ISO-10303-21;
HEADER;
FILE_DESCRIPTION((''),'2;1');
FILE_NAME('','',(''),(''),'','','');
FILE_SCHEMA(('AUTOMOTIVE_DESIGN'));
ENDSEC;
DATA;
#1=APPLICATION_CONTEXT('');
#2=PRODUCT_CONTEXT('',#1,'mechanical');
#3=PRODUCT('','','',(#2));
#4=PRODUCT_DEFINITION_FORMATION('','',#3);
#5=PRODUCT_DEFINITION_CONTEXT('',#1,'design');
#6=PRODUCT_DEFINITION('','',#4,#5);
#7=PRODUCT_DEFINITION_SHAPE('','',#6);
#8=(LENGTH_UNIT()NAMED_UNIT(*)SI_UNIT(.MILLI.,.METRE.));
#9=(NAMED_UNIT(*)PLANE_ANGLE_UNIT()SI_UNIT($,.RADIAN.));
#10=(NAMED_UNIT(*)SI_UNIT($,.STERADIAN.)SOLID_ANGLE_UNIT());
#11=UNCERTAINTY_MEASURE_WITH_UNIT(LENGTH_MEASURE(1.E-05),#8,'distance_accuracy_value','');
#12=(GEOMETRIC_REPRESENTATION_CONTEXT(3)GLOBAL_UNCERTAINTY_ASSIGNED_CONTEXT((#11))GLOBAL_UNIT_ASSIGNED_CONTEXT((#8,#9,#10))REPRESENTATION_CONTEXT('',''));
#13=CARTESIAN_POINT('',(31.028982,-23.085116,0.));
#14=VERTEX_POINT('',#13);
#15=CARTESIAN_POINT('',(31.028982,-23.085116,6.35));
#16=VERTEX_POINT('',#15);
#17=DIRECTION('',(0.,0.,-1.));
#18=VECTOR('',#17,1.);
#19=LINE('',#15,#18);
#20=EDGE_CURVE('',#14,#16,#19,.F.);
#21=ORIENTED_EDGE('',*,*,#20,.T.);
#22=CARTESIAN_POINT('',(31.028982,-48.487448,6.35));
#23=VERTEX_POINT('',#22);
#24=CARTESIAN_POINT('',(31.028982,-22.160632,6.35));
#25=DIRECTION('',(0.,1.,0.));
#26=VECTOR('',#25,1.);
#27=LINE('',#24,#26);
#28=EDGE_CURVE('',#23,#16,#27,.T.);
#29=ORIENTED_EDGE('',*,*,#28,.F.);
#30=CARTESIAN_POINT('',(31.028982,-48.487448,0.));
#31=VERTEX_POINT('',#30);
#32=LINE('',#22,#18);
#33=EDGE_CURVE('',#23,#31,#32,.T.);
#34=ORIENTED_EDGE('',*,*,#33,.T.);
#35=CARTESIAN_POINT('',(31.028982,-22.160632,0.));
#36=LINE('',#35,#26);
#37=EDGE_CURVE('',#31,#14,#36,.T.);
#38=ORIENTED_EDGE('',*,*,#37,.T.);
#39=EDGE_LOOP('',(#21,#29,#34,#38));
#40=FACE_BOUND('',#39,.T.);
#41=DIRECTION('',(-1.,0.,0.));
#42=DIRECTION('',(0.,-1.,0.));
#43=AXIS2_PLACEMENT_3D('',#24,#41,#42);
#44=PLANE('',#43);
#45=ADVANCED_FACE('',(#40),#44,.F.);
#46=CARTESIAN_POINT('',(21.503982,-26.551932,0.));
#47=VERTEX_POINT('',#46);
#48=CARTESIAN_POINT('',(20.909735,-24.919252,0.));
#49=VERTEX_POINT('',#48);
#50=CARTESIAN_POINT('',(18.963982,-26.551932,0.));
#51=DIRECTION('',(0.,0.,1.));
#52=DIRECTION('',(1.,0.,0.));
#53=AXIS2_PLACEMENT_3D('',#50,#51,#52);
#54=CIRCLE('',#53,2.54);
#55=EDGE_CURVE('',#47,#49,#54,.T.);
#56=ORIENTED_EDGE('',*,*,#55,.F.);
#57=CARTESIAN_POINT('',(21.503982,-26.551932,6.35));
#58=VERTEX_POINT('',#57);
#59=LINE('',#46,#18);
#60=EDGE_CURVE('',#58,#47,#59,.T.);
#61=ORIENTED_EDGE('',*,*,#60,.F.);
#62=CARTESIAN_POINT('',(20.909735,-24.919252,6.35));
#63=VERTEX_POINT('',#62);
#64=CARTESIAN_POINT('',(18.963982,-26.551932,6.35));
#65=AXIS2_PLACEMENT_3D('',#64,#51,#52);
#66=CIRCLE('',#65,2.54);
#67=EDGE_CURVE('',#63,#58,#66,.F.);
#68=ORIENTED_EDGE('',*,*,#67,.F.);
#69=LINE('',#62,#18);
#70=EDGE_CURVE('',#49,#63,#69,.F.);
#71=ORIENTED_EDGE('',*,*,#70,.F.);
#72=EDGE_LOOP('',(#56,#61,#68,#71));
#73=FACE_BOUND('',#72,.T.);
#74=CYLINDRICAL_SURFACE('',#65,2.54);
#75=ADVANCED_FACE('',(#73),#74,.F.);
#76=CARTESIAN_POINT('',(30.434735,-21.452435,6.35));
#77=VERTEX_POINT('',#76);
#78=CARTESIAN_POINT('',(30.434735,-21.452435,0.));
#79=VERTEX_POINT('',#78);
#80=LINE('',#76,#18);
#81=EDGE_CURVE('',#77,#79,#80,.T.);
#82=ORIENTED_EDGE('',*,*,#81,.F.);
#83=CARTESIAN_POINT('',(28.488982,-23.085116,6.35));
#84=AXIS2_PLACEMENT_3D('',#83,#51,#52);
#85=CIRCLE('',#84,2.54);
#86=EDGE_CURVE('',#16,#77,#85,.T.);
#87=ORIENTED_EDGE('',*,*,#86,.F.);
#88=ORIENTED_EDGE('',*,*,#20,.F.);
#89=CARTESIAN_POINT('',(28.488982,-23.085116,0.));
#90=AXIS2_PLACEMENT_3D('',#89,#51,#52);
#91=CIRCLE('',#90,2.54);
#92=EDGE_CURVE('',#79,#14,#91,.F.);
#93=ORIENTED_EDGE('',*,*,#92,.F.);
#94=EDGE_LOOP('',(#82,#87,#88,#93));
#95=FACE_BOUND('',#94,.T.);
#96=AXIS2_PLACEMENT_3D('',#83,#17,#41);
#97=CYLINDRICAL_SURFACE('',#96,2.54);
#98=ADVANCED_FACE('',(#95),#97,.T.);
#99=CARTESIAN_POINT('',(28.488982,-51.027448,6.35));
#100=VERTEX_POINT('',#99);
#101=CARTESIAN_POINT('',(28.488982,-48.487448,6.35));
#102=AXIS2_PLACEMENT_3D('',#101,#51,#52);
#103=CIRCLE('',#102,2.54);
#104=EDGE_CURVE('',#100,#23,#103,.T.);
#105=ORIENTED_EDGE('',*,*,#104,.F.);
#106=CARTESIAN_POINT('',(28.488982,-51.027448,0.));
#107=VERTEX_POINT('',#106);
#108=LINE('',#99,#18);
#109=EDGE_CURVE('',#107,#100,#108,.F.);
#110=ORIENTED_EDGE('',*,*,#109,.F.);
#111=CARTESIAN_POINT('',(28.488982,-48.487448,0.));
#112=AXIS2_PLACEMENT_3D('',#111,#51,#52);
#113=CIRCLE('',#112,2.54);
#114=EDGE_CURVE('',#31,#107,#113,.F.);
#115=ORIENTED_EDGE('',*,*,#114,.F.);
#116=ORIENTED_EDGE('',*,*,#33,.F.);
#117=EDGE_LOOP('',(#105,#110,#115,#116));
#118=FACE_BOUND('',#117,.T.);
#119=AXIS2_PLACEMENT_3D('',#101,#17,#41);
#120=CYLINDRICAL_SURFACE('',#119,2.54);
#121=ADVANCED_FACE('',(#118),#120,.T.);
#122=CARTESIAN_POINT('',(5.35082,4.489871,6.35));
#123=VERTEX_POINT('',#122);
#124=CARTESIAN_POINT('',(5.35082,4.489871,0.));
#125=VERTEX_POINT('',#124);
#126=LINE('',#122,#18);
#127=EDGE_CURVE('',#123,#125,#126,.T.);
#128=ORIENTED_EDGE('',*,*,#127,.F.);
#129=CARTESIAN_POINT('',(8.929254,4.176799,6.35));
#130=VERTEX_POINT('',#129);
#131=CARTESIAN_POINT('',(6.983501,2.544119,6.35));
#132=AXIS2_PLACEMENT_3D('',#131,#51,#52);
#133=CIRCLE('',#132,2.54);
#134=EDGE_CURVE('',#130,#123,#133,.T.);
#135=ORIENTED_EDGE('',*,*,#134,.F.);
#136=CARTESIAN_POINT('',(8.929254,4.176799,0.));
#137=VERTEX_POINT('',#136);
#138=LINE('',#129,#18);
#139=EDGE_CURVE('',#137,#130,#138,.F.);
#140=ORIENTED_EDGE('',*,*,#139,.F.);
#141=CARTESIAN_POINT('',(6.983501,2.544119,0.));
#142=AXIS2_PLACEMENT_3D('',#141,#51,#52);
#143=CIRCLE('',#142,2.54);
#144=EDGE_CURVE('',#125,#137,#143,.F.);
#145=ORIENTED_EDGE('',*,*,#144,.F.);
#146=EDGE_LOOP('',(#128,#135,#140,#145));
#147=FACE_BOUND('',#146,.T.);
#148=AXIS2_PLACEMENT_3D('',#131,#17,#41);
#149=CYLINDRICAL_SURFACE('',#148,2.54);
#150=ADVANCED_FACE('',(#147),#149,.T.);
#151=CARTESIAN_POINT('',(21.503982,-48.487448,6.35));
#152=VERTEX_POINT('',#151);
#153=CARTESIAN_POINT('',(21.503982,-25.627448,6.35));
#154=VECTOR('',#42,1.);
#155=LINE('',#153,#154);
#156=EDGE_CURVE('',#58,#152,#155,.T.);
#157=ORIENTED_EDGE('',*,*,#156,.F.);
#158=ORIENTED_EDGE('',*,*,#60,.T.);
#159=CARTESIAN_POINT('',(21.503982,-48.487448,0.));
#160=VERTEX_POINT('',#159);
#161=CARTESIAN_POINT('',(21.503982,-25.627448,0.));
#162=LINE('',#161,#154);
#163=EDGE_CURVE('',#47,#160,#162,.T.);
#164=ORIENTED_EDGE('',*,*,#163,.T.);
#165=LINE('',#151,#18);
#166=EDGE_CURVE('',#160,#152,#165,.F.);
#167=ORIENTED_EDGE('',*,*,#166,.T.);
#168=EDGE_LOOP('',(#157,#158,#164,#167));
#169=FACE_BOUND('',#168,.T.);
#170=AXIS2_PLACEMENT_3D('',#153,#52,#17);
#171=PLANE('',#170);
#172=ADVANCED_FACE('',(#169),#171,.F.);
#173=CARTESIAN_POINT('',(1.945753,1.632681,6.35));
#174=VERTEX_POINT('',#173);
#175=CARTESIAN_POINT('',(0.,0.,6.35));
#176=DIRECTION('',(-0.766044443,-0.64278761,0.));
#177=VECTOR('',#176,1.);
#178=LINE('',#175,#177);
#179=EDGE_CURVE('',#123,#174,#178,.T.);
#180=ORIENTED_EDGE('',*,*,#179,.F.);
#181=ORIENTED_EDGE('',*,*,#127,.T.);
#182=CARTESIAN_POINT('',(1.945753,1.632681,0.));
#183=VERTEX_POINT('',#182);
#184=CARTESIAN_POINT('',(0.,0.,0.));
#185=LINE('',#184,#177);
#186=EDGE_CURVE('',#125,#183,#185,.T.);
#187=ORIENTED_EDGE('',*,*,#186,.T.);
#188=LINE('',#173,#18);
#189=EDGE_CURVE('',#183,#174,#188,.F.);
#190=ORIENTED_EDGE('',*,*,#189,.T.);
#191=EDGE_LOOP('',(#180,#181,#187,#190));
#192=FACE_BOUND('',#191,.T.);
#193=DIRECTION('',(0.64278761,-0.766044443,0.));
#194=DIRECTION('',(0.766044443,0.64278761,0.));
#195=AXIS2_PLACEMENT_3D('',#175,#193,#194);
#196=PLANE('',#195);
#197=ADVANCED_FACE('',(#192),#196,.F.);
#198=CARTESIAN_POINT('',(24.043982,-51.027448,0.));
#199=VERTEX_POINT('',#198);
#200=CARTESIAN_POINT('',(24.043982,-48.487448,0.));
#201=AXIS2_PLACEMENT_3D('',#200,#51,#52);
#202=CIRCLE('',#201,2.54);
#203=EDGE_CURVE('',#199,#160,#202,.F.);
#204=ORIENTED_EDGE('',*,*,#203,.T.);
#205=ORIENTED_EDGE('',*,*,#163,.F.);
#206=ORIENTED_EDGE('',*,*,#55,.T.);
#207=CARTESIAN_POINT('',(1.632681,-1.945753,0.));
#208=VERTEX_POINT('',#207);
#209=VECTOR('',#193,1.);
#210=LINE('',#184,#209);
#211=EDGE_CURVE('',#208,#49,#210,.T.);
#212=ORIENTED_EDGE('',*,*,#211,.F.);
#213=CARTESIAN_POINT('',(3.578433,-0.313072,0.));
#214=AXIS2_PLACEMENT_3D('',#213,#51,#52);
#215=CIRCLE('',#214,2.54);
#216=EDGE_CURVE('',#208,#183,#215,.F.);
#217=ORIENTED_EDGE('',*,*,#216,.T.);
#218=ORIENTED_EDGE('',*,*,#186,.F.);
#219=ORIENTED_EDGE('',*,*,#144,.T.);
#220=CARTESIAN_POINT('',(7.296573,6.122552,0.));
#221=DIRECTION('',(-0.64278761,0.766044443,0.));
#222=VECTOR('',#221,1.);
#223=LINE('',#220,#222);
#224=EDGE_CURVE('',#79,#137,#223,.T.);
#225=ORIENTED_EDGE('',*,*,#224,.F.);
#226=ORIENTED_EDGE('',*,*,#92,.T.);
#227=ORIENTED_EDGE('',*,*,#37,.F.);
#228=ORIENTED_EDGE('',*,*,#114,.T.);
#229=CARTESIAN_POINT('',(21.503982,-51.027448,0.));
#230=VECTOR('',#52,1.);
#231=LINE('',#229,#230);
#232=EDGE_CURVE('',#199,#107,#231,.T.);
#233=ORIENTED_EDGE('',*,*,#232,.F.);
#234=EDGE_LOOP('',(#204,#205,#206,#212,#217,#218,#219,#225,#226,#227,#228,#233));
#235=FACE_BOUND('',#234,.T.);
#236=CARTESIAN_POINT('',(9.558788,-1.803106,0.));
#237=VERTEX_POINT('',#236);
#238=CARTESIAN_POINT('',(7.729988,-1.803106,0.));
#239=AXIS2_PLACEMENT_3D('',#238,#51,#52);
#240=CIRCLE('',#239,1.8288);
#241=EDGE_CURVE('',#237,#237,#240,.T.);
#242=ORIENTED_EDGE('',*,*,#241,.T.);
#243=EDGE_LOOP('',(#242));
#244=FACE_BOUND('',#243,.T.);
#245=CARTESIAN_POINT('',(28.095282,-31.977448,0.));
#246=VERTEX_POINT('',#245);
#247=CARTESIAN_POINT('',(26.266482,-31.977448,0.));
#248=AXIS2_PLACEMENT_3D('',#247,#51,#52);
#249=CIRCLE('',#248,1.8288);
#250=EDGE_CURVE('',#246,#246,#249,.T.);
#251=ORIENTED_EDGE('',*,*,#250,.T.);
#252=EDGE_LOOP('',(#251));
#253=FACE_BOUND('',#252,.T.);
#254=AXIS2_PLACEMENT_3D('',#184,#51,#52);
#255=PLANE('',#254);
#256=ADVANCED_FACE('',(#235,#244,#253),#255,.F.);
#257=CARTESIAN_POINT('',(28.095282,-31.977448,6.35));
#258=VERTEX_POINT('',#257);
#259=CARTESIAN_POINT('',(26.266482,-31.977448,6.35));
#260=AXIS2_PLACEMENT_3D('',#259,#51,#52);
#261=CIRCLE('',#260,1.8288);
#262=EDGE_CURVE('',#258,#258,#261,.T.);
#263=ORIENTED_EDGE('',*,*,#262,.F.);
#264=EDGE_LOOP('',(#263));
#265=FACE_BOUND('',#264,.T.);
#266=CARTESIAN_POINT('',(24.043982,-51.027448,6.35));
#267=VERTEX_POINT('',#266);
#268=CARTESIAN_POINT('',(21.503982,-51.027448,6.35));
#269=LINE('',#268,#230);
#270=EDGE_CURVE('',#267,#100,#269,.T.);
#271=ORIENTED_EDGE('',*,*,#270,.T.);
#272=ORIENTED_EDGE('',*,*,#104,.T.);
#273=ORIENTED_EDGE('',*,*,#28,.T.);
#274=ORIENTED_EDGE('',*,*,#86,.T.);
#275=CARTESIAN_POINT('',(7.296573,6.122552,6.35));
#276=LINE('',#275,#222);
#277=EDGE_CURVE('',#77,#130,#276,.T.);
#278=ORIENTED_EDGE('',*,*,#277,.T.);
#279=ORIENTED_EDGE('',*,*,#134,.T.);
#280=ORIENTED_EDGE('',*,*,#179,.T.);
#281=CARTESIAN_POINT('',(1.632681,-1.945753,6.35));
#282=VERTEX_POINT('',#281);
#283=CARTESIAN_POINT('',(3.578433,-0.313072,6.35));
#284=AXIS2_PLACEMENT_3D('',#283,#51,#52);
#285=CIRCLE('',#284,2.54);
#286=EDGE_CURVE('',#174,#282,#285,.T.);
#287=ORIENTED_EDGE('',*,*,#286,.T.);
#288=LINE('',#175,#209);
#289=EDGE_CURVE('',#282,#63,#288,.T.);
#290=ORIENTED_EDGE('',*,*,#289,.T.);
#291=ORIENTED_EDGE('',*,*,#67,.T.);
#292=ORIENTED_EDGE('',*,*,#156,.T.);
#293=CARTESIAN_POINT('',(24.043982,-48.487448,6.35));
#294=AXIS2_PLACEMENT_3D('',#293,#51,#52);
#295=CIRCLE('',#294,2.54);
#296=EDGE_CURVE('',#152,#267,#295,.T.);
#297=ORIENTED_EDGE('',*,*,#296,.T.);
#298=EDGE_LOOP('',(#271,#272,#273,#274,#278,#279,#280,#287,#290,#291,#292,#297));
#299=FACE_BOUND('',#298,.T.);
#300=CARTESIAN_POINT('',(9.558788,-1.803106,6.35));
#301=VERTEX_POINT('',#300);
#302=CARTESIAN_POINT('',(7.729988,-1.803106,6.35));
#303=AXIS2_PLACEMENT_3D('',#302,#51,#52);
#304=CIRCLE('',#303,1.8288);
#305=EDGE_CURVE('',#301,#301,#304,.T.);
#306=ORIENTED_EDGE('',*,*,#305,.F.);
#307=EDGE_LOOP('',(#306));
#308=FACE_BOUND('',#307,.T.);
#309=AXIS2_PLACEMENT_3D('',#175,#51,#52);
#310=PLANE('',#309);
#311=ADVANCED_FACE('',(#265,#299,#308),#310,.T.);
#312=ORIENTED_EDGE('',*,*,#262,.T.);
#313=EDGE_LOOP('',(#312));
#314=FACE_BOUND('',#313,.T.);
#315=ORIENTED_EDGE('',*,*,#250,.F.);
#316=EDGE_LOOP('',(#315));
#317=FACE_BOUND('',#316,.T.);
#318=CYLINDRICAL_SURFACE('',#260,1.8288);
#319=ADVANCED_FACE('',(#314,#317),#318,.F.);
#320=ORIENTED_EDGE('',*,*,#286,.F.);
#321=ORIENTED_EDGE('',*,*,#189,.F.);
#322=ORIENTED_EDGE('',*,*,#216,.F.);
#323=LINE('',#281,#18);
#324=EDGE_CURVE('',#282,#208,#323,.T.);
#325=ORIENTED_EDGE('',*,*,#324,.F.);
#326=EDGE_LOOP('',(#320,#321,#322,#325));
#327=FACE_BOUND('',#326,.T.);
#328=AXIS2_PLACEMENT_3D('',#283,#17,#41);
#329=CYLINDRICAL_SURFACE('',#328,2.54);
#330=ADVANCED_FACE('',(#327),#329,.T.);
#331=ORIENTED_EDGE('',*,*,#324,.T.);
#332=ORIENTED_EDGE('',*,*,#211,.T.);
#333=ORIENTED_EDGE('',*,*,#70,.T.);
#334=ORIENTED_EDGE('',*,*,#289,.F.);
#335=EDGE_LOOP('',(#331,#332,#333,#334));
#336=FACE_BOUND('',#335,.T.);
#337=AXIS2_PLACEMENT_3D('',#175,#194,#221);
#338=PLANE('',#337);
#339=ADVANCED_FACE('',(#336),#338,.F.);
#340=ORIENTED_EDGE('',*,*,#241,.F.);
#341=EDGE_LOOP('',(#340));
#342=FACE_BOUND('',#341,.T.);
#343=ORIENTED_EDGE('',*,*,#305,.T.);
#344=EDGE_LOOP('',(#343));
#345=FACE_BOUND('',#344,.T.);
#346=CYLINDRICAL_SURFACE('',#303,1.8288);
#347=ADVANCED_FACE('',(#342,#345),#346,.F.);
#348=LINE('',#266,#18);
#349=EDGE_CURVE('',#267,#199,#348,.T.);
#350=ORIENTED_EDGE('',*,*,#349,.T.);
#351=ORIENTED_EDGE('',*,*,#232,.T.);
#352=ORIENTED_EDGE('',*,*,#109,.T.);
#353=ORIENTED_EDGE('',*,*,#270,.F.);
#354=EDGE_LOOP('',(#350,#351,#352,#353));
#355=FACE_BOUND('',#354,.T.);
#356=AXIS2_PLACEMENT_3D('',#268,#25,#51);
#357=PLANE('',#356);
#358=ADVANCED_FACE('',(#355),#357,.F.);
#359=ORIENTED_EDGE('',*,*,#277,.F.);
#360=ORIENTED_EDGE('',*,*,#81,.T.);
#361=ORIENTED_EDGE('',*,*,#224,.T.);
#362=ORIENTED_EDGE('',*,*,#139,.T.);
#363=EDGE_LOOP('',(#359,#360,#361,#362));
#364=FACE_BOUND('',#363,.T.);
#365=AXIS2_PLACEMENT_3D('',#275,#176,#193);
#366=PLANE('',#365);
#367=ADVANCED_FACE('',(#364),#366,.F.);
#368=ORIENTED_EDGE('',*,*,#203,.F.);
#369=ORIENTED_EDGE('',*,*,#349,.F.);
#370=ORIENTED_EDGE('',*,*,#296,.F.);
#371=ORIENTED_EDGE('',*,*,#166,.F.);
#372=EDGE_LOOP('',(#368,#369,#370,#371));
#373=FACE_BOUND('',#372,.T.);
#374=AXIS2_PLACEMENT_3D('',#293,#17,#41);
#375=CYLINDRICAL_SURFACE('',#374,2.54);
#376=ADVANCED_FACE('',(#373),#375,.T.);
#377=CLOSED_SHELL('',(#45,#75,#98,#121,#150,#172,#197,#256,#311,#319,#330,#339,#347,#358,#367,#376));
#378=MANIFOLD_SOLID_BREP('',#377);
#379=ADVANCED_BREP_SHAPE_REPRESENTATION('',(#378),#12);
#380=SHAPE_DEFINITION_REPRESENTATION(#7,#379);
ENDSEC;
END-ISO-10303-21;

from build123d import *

# Parameters (mm, degrees)
BOSS_EXTRUDE1_DEPTH       = 6.35
FILLET1_R                 = 2.54
F_6_CLEARANCE_HOLE1_D     = 3.6576
F_6_CLEARANCE_HOLE1_DEPTH = 10.16
F_6_CLEARANCE_HOLE1_TIP   = 1.0988539


with BuildPart() as part:
    # Sketch1 → Boss-Extrude1 (new body)
    with BuildSketch(Plane.XY):
        Polygon((0, 0), (7.296573321, 6.122551982), (31.02898218, -22.160631536), (31.02898218, -51.027448018), (21.50398218, -51.027448018), (21.50398218, -25.627448018), align=None)
    extrude(amount=BOSS_EXTRUDE1_DEPTH)

    # Fillet1
    fillet1_edges = [part.edges().sort_by_distance(p)[0] for p in [
        (0, 0, 3.175),
        (7.296573321, 6.122551982, 3.175),
        (31.02898218, -22.160631536, 3.175),
        (31.02898218, -51.027448018, 3.175),
        (21.50398218, -51.027448018, 3.175),
        (21.50398218, -25.627448018, 3.175),
    ]]
    fillet(fillet1_edges, radius=FILLET1_R)

    # #6 Clearance Hole1
    with Locations(Plane.XY.offset(6.35)):
        with Locations((7.729987982, -1.803106223), (26.26648218, -31.977448018)):
            Hole(F_6_CLEARANCE_HOLE1_D / 2, depth=F_6_CLEARANCE_HOLE1_DEPTH)
            with Locations((0, 0, -(F_6_CLEARANCE_HOLE1_DEPTH + F_6_CLEARANCE_HOLE1_TIP / 2))):  # 118° drill point
                Cone(0, F_6_CLEARANCE_HOLE1_D / 2, F_6_CLEARANCE_HOLE1_TIP, mode=Mode.SUBTRACT)


solid = part.part
